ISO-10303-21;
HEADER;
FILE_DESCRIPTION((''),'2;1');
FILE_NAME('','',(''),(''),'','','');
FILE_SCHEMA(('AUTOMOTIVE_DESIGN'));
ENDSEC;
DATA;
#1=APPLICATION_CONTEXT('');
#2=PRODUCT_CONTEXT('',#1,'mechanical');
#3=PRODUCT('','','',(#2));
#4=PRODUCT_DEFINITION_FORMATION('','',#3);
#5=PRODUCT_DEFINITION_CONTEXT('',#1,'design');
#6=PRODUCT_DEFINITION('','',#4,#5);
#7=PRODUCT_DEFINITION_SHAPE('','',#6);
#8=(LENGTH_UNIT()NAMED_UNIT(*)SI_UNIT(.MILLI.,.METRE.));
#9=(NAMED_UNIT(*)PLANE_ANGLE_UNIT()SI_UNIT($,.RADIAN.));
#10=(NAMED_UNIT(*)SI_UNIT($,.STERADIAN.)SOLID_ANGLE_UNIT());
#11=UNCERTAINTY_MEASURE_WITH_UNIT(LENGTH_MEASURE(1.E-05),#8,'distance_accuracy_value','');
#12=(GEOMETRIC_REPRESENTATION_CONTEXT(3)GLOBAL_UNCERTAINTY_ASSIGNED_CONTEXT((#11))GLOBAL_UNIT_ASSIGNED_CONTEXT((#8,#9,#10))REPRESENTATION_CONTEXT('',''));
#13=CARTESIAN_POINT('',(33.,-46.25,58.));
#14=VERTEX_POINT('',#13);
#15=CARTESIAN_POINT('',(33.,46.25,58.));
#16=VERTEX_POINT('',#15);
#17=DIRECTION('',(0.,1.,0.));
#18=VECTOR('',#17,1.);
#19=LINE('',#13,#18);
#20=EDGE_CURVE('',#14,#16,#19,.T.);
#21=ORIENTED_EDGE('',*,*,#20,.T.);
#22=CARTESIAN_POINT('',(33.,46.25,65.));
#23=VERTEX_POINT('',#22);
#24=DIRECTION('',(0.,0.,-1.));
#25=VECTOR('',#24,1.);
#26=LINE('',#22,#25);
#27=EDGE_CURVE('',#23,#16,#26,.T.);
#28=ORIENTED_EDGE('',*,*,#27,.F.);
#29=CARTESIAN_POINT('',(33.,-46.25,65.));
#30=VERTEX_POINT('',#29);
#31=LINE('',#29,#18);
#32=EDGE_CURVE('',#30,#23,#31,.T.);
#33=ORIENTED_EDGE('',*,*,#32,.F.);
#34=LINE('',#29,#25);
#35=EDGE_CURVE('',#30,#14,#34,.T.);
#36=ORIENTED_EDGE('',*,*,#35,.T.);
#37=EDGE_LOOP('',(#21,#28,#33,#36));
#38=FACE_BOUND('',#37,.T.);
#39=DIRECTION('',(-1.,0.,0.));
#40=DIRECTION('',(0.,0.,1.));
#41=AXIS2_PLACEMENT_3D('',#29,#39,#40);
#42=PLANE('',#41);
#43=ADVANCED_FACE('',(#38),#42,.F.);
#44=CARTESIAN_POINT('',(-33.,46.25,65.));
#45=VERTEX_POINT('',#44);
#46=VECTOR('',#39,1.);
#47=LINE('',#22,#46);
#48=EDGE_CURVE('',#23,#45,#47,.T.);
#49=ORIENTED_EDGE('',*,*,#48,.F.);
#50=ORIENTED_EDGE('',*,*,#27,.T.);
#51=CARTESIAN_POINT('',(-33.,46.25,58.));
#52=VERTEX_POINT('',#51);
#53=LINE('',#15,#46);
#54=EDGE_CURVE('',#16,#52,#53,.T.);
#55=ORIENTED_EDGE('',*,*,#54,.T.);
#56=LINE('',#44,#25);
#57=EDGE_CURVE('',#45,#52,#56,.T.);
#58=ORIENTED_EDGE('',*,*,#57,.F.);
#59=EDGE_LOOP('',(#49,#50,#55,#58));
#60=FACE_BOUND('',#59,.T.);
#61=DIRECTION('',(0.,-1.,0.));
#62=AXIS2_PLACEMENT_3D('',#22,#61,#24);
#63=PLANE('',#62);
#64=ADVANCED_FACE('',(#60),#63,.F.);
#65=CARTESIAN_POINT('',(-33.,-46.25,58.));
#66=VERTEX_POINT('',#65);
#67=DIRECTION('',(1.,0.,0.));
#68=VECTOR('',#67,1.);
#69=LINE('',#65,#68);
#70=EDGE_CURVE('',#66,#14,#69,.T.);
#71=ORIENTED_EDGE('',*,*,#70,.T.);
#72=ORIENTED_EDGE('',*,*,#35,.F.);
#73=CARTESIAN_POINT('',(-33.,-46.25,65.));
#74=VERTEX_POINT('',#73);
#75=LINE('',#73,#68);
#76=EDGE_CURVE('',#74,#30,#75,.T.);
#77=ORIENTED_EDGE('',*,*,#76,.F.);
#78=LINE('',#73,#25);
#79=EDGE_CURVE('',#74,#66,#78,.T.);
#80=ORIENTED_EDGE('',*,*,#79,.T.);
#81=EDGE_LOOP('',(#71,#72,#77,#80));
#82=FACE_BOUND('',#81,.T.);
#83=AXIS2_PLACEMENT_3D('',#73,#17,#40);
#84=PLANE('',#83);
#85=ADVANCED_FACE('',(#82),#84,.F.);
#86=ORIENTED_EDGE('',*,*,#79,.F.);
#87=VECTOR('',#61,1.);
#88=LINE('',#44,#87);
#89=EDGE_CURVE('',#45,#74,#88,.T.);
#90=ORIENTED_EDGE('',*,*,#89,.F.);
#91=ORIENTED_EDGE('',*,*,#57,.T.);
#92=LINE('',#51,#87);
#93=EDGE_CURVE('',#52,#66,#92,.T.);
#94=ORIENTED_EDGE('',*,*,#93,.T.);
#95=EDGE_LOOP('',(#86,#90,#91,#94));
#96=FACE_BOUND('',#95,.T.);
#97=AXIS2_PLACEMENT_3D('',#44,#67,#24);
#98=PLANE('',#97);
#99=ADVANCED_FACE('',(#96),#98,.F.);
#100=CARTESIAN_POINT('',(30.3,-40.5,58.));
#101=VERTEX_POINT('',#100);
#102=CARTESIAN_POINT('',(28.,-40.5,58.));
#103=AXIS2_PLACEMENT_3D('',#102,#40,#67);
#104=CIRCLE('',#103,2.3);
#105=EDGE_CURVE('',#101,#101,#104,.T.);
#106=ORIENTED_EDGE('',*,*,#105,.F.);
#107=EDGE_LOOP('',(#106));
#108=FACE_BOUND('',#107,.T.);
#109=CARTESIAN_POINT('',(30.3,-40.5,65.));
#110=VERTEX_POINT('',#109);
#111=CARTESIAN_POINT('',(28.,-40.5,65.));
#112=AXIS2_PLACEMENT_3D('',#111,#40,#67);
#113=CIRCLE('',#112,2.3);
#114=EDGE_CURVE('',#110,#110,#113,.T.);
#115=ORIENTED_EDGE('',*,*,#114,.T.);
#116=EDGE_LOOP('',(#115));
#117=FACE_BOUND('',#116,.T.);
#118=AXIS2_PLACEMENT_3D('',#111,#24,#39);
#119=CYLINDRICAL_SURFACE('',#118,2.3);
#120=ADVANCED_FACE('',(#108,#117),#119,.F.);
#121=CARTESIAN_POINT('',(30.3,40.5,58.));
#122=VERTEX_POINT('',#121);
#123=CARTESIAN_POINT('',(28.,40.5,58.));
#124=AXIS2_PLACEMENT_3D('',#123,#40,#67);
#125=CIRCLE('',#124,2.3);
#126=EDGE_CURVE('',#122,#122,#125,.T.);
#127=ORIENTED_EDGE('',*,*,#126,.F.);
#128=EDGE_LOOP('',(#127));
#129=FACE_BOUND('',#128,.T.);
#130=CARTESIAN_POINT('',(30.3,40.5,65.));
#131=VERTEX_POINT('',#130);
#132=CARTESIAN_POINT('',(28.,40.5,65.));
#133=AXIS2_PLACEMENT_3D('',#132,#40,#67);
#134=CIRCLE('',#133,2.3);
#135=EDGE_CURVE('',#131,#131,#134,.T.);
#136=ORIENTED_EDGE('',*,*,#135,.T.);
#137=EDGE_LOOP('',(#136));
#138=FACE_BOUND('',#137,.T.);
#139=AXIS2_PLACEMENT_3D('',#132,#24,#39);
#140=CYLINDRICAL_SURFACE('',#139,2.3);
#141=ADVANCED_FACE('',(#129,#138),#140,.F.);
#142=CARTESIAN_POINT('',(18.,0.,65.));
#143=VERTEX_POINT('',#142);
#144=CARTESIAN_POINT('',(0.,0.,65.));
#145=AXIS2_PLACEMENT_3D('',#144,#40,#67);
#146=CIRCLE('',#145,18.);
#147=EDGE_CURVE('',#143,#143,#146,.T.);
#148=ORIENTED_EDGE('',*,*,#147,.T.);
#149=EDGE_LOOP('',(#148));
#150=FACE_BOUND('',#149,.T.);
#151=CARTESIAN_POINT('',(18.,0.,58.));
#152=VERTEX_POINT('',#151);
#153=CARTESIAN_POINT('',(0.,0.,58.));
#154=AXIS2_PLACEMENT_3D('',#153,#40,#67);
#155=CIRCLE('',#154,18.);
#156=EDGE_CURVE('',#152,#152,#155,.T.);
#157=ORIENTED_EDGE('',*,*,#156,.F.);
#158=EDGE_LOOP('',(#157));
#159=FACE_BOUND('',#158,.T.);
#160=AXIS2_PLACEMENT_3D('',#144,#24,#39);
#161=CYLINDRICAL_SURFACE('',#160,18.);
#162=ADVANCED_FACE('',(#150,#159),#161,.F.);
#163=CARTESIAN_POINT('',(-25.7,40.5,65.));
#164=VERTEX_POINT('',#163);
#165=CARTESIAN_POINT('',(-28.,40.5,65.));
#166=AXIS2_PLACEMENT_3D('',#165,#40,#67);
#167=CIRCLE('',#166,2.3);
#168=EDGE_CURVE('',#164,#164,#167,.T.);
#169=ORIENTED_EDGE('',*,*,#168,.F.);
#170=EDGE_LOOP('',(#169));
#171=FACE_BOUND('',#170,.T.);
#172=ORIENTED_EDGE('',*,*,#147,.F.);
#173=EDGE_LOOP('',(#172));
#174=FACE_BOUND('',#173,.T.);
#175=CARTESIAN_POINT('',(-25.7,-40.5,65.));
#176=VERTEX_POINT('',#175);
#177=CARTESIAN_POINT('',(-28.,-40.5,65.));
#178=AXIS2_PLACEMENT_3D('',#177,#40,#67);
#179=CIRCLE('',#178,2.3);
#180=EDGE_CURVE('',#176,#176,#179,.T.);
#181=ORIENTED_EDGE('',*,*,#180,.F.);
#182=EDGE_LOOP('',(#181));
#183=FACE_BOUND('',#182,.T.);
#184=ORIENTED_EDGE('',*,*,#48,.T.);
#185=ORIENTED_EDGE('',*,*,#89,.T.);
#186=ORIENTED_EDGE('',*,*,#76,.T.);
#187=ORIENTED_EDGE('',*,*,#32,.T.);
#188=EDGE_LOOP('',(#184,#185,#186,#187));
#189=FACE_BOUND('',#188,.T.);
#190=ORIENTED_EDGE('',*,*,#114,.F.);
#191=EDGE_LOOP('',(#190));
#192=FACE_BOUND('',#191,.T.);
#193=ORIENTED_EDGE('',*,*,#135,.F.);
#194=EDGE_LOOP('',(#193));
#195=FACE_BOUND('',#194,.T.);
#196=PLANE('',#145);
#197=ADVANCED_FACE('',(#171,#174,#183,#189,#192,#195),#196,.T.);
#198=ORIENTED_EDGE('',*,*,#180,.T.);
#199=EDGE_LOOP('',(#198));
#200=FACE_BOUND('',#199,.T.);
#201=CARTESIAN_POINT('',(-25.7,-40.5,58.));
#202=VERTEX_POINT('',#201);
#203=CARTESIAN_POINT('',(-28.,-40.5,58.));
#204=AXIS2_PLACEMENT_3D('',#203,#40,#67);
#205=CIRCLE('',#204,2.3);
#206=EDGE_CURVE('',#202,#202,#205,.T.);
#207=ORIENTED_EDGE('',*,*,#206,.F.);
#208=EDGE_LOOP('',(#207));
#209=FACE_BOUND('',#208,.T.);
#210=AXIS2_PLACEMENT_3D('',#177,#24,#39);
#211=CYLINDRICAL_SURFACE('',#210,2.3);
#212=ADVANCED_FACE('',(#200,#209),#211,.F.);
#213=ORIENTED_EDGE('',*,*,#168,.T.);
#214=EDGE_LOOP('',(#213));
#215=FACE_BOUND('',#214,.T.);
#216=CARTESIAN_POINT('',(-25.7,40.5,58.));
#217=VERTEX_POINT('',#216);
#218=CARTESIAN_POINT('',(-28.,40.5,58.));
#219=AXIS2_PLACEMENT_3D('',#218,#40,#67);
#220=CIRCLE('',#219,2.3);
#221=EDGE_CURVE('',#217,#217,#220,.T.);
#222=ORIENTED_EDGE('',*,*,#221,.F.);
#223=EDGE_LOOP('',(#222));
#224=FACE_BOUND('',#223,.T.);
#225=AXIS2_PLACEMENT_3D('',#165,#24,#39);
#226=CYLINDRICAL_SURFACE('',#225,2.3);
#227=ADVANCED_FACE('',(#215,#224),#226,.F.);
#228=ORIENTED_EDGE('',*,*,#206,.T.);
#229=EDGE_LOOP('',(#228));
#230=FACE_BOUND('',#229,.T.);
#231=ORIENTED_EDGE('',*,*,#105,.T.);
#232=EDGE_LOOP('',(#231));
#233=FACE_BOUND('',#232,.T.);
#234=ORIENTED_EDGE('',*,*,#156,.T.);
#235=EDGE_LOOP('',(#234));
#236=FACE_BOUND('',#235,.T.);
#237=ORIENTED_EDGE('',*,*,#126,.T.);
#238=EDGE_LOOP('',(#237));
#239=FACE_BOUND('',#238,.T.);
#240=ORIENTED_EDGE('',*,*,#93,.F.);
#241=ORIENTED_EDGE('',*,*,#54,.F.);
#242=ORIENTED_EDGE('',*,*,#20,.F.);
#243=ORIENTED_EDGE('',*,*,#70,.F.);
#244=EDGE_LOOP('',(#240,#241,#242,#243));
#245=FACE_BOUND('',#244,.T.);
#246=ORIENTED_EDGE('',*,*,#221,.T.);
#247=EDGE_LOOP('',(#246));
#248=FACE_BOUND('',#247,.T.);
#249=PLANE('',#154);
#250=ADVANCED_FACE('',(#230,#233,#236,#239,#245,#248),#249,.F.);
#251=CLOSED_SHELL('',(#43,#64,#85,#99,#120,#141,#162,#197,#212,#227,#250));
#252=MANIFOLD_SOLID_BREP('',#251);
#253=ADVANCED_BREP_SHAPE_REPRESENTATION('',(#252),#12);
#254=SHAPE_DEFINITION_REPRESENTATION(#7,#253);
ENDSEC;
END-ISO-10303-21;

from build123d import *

# Parameters (mm, degrees)
UPPER_START               = 58
SKETCH1_W                 = 66
SKETCH1_H                 = 92.5
SKETCH1_R                 = 18
SKETCH1_R_2               = 2.3
UPPER_BEARING_PLATE_DEPTH = 7


with BuildPart() as part:
    # Sketch1 → Upper bearing plate (new body)
    with BuildSketch(Plane.XY.offset(UPPER_START)):
        Rectangle(SKETCH1_W, SKETCH1_H)
        Circle(SKETCH1_R, mode=Mode.SUBTRACT)
        with Locations((-28, -40.5)):
            Circle(SKETCH1_R_2, mode=Mode.SUBTRACT)
        with Locations((-28, 40.5)):
            Circle(SKETCH1_R_2, mode=Mode.SUBTRACT)
        with Locations((28, -40.5)):
            Circle(SKETCH1_R_2, mode=Mode.SUBTRACT)
        with Locations((28, 40.5)):
            Circle(SKETCH1_R_2, mode=Mode.SUBTRACT)
    extrude(amount=UPPER_BEARING_PLATE_DEPTH)


solid = part.part
